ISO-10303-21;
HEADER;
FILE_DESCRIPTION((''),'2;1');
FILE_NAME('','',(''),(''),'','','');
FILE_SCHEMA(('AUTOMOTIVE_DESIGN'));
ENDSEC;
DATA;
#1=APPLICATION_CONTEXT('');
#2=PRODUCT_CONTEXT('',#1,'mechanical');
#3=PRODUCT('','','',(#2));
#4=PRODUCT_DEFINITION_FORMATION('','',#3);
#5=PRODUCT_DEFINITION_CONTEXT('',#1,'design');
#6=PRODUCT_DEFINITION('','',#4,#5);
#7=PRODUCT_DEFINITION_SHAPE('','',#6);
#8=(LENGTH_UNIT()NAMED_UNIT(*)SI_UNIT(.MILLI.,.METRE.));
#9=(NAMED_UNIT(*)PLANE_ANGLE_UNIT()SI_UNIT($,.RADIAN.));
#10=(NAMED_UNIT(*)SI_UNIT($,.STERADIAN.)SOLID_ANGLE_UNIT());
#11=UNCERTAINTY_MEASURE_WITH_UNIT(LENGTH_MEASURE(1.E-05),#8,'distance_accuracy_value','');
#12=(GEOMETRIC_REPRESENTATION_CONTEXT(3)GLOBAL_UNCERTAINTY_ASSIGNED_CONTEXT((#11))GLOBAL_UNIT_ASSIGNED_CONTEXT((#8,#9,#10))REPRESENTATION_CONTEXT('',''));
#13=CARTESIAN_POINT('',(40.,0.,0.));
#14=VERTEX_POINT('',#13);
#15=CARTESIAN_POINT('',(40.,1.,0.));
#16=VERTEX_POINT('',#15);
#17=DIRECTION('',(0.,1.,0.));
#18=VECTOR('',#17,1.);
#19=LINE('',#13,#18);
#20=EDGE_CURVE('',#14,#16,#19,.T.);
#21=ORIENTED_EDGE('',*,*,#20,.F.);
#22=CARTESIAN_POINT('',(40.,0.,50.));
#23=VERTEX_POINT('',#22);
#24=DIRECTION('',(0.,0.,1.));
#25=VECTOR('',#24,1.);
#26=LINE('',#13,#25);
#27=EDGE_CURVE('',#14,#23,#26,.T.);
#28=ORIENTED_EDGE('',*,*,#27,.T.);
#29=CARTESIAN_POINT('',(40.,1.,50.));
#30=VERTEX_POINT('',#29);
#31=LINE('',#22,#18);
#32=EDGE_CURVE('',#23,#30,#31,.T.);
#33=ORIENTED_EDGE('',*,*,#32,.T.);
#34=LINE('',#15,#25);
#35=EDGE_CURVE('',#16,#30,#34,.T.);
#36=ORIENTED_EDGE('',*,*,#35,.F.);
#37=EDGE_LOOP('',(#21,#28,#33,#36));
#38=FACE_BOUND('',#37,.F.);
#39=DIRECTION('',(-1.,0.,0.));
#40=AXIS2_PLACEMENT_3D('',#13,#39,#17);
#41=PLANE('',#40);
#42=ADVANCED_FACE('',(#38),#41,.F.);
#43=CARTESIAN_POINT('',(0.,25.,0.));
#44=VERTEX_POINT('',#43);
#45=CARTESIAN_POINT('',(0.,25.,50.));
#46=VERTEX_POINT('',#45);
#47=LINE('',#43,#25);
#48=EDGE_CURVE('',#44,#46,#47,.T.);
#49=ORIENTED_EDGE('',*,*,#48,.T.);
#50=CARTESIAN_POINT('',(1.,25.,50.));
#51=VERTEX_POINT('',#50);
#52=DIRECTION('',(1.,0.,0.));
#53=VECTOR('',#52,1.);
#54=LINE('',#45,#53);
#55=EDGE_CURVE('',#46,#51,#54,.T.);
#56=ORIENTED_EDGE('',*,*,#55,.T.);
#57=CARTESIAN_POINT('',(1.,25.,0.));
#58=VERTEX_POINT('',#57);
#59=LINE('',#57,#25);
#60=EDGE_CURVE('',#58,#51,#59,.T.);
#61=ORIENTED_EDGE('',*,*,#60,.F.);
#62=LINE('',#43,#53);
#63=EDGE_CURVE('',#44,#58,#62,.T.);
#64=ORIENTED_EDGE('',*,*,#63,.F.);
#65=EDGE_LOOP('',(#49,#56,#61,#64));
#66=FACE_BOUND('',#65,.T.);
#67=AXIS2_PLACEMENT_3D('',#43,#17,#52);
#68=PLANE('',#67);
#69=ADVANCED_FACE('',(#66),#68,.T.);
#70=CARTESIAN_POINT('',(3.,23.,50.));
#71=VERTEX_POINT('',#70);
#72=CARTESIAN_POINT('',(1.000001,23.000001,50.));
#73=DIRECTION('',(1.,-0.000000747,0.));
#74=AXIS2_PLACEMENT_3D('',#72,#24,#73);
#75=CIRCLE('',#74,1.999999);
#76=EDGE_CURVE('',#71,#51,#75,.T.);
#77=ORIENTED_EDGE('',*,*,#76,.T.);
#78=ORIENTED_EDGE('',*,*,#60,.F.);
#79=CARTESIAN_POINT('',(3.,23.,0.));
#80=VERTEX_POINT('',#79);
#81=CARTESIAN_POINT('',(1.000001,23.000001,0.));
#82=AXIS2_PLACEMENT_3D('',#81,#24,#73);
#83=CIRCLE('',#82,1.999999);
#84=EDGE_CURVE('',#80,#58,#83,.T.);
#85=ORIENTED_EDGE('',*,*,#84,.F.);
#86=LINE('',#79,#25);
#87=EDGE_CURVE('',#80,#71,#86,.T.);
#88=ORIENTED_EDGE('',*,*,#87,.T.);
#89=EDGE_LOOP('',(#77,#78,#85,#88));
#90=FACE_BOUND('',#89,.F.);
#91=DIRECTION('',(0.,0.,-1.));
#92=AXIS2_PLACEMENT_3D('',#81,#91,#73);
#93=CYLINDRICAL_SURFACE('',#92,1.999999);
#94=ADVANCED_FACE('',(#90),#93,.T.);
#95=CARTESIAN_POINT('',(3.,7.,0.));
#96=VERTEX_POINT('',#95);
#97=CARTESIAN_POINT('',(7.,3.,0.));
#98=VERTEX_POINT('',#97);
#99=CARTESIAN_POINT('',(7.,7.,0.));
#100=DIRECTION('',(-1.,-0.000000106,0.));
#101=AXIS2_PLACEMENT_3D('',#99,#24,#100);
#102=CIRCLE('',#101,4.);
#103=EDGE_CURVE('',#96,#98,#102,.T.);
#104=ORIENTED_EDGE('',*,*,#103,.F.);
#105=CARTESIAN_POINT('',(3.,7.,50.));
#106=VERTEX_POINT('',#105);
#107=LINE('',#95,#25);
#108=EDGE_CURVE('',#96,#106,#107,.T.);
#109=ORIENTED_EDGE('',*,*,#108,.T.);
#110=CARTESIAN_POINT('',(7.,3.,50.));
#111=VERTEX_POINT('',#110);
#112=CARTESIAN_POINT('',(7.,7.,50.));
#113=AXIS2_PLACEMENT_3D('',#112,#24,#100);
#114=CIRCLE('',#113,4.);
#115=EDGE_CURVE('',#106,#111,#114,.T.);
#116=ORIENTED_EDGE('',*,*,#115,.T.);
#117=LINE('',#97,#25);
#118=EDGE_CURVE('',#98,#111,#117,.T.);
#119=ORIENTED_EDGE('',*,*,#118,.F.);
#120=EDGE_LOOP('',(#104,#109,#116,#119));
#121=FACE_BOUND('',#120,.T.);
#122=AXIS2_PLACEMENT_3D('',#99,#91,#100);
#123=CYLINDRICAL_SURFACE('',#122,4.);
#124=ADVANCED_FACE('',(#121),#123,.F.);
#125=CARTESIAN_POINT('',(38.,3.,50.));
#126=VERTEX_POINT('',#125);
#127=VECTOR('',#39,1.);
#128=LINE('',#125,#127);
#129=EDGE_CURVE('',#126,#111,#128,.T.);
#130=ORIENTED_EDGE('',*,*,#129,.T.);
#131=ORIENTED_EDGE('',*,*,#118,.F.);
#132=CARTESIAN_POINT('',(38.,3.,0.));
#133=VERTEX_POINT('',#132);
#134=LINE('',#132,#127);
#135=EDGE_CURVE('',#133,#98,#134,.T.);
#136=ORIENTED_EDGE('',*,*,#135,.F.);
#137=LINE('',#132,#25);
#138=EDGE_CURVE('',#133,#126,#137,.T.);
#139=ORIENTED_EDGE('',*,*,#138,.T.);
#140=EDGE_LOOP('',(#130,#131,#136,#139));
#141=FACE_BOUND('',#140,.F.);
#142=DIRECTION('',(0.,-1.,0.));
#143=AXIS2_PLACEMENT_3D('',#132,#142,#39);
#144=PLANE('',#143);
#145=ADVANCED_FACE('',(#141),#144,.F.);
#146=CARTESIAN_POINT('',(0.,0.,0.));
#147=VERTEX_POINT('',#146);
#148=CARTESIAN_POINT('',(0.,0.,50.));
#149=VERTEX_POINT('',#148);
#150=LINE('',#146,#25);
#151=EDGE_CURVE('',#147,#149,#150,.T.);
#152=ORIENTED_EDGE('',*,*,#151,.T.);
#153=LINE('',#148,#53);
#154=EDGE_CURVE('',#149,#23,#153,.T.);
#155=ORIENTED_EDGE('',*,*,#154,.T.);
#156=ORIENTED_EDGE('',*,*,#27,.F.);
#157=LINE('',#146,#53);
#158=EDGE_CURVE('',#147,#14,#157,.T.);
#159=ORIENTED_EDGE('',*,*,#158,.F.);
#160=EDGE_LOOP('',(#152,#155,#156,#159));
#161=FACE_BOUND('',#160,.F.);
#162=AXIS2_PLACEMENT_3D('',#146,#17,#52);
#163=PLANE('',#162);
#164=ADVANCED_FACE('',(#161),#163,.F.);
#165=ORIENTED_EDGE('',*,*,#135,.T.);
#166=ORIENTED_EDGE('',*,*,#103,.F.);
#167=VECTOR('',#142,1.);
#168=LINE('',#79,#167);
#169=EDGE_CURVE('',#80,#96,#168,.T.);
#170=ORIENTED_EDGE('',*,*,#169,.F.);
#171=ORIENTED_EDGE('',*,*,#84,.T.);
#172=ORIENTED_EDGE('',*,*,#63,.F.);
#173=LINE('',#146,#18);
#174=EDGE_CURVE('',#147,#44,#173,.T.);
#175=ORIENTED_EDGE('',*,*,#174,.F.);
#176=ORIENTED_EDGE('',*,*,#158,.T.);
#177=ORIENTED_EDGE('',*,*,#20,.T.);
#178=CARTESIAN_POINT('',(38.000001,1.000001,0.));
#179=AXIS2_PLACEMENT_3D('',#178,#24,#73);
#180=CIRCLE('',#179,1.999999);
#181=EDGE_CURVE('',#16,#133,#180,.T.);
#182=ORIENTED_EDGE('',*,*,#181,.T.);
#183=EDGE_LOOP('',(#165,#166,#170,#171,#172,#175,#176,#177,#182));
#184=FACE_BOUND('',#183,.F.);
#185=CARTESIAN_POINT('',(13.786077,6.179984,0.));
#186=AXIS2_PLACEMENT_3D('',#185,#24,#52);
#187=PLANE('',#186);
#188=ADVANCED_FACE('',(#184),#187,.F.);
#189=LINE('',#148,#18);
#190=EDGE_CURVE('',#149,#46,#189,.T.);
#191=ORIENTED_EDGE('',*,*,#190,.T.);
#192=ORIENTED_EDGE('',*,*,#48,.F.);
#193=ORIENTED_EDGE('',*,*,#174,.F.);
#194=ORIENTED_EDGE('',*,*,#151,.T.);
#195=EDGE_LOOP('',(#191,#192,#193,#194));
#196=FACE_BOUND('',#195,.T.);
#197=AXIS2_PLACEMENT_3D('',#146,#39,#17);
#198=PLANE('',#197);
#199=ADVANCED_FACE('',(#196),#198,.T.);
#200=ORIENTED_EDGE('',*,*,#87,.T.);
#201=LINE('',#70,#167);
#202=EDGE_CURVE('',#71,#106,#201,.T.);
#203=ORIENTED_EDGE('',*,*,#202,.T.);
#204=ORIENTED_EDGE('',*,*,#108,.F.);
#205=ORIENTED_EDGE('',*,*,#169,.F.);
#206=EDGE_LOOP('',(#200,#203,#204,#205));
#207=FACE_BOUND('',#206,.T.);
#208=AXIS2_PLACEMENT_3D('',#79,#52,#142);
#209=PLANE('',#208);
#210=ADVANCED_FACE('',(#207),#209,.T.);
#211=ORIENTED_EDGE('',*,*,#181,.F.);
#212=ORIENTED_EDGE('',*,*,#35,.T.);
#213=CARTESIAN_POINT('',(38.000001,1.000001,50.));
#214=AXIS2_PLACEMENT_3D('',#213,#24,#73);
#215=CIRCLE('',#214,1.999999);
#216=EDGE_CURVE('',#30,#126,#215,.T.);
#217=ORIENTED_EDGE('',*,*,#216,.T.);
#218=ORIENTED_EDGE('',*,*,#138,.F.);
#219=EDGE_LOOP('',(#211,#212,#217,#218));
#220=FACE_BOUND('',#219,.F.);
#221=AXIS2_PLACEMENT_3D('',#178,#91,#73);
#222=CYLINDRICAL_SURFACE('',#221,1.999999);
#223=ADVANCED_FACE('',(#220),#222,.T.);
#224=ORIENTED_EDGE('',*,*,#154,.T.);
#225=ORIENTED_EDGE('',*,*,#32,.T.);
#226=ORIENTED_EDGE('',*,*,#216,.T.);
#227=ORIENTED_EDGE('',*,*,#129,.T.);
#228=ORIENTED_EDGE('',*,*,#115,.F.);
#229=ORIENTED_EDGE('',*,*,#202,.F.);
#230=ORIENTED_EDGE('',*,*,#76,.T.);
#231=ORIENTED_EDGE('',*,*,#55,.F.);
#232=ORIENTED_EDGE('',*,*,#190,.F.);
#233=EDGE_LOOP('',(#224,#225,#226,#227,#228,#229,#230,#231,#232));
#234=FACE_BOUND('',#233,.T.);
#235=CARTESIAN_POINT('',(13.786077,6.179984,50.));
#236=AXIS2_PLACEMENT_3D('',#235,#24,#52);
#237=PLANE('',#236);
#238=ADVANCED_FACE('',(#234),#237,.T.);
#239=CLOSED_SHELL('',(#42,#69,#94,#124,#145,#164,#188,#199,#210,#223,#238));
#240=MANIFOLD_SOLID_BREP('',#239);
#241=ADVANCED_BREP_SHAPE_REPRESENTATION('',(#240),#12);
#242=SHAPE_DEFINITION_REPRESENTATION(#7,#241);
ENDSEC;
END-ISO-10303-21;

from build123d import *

# Parameters (mm, degrees)
EXTRUDE_DEPTH = 50


with BuildPart() as part:
    # Sketch → Extrude (new body)
    with BuildSketch(Plane.XY):
        with BuildLine():
            Line((0, 0), (40, 0))
            Line((40, 0), (40, 1))
            ThreePointArc((40, 1), (39.414214, 2.414214), (38, 3))
            Line((38, 3), (7, 3))
            ThreePointArc((3, 7), (4.171573, 4.171573), (7, 3))
            Line((3, 23), (3, 7))
            ThreePointArc((3, 23), (2.414214, 24.414214), (1, 25))
            Line((0, 25), (1, 25))
            Line((0, 0), (0, 25))
        make_face()
    extrude(amount=EXTRUDE_DEPTH)


solid = part.part
